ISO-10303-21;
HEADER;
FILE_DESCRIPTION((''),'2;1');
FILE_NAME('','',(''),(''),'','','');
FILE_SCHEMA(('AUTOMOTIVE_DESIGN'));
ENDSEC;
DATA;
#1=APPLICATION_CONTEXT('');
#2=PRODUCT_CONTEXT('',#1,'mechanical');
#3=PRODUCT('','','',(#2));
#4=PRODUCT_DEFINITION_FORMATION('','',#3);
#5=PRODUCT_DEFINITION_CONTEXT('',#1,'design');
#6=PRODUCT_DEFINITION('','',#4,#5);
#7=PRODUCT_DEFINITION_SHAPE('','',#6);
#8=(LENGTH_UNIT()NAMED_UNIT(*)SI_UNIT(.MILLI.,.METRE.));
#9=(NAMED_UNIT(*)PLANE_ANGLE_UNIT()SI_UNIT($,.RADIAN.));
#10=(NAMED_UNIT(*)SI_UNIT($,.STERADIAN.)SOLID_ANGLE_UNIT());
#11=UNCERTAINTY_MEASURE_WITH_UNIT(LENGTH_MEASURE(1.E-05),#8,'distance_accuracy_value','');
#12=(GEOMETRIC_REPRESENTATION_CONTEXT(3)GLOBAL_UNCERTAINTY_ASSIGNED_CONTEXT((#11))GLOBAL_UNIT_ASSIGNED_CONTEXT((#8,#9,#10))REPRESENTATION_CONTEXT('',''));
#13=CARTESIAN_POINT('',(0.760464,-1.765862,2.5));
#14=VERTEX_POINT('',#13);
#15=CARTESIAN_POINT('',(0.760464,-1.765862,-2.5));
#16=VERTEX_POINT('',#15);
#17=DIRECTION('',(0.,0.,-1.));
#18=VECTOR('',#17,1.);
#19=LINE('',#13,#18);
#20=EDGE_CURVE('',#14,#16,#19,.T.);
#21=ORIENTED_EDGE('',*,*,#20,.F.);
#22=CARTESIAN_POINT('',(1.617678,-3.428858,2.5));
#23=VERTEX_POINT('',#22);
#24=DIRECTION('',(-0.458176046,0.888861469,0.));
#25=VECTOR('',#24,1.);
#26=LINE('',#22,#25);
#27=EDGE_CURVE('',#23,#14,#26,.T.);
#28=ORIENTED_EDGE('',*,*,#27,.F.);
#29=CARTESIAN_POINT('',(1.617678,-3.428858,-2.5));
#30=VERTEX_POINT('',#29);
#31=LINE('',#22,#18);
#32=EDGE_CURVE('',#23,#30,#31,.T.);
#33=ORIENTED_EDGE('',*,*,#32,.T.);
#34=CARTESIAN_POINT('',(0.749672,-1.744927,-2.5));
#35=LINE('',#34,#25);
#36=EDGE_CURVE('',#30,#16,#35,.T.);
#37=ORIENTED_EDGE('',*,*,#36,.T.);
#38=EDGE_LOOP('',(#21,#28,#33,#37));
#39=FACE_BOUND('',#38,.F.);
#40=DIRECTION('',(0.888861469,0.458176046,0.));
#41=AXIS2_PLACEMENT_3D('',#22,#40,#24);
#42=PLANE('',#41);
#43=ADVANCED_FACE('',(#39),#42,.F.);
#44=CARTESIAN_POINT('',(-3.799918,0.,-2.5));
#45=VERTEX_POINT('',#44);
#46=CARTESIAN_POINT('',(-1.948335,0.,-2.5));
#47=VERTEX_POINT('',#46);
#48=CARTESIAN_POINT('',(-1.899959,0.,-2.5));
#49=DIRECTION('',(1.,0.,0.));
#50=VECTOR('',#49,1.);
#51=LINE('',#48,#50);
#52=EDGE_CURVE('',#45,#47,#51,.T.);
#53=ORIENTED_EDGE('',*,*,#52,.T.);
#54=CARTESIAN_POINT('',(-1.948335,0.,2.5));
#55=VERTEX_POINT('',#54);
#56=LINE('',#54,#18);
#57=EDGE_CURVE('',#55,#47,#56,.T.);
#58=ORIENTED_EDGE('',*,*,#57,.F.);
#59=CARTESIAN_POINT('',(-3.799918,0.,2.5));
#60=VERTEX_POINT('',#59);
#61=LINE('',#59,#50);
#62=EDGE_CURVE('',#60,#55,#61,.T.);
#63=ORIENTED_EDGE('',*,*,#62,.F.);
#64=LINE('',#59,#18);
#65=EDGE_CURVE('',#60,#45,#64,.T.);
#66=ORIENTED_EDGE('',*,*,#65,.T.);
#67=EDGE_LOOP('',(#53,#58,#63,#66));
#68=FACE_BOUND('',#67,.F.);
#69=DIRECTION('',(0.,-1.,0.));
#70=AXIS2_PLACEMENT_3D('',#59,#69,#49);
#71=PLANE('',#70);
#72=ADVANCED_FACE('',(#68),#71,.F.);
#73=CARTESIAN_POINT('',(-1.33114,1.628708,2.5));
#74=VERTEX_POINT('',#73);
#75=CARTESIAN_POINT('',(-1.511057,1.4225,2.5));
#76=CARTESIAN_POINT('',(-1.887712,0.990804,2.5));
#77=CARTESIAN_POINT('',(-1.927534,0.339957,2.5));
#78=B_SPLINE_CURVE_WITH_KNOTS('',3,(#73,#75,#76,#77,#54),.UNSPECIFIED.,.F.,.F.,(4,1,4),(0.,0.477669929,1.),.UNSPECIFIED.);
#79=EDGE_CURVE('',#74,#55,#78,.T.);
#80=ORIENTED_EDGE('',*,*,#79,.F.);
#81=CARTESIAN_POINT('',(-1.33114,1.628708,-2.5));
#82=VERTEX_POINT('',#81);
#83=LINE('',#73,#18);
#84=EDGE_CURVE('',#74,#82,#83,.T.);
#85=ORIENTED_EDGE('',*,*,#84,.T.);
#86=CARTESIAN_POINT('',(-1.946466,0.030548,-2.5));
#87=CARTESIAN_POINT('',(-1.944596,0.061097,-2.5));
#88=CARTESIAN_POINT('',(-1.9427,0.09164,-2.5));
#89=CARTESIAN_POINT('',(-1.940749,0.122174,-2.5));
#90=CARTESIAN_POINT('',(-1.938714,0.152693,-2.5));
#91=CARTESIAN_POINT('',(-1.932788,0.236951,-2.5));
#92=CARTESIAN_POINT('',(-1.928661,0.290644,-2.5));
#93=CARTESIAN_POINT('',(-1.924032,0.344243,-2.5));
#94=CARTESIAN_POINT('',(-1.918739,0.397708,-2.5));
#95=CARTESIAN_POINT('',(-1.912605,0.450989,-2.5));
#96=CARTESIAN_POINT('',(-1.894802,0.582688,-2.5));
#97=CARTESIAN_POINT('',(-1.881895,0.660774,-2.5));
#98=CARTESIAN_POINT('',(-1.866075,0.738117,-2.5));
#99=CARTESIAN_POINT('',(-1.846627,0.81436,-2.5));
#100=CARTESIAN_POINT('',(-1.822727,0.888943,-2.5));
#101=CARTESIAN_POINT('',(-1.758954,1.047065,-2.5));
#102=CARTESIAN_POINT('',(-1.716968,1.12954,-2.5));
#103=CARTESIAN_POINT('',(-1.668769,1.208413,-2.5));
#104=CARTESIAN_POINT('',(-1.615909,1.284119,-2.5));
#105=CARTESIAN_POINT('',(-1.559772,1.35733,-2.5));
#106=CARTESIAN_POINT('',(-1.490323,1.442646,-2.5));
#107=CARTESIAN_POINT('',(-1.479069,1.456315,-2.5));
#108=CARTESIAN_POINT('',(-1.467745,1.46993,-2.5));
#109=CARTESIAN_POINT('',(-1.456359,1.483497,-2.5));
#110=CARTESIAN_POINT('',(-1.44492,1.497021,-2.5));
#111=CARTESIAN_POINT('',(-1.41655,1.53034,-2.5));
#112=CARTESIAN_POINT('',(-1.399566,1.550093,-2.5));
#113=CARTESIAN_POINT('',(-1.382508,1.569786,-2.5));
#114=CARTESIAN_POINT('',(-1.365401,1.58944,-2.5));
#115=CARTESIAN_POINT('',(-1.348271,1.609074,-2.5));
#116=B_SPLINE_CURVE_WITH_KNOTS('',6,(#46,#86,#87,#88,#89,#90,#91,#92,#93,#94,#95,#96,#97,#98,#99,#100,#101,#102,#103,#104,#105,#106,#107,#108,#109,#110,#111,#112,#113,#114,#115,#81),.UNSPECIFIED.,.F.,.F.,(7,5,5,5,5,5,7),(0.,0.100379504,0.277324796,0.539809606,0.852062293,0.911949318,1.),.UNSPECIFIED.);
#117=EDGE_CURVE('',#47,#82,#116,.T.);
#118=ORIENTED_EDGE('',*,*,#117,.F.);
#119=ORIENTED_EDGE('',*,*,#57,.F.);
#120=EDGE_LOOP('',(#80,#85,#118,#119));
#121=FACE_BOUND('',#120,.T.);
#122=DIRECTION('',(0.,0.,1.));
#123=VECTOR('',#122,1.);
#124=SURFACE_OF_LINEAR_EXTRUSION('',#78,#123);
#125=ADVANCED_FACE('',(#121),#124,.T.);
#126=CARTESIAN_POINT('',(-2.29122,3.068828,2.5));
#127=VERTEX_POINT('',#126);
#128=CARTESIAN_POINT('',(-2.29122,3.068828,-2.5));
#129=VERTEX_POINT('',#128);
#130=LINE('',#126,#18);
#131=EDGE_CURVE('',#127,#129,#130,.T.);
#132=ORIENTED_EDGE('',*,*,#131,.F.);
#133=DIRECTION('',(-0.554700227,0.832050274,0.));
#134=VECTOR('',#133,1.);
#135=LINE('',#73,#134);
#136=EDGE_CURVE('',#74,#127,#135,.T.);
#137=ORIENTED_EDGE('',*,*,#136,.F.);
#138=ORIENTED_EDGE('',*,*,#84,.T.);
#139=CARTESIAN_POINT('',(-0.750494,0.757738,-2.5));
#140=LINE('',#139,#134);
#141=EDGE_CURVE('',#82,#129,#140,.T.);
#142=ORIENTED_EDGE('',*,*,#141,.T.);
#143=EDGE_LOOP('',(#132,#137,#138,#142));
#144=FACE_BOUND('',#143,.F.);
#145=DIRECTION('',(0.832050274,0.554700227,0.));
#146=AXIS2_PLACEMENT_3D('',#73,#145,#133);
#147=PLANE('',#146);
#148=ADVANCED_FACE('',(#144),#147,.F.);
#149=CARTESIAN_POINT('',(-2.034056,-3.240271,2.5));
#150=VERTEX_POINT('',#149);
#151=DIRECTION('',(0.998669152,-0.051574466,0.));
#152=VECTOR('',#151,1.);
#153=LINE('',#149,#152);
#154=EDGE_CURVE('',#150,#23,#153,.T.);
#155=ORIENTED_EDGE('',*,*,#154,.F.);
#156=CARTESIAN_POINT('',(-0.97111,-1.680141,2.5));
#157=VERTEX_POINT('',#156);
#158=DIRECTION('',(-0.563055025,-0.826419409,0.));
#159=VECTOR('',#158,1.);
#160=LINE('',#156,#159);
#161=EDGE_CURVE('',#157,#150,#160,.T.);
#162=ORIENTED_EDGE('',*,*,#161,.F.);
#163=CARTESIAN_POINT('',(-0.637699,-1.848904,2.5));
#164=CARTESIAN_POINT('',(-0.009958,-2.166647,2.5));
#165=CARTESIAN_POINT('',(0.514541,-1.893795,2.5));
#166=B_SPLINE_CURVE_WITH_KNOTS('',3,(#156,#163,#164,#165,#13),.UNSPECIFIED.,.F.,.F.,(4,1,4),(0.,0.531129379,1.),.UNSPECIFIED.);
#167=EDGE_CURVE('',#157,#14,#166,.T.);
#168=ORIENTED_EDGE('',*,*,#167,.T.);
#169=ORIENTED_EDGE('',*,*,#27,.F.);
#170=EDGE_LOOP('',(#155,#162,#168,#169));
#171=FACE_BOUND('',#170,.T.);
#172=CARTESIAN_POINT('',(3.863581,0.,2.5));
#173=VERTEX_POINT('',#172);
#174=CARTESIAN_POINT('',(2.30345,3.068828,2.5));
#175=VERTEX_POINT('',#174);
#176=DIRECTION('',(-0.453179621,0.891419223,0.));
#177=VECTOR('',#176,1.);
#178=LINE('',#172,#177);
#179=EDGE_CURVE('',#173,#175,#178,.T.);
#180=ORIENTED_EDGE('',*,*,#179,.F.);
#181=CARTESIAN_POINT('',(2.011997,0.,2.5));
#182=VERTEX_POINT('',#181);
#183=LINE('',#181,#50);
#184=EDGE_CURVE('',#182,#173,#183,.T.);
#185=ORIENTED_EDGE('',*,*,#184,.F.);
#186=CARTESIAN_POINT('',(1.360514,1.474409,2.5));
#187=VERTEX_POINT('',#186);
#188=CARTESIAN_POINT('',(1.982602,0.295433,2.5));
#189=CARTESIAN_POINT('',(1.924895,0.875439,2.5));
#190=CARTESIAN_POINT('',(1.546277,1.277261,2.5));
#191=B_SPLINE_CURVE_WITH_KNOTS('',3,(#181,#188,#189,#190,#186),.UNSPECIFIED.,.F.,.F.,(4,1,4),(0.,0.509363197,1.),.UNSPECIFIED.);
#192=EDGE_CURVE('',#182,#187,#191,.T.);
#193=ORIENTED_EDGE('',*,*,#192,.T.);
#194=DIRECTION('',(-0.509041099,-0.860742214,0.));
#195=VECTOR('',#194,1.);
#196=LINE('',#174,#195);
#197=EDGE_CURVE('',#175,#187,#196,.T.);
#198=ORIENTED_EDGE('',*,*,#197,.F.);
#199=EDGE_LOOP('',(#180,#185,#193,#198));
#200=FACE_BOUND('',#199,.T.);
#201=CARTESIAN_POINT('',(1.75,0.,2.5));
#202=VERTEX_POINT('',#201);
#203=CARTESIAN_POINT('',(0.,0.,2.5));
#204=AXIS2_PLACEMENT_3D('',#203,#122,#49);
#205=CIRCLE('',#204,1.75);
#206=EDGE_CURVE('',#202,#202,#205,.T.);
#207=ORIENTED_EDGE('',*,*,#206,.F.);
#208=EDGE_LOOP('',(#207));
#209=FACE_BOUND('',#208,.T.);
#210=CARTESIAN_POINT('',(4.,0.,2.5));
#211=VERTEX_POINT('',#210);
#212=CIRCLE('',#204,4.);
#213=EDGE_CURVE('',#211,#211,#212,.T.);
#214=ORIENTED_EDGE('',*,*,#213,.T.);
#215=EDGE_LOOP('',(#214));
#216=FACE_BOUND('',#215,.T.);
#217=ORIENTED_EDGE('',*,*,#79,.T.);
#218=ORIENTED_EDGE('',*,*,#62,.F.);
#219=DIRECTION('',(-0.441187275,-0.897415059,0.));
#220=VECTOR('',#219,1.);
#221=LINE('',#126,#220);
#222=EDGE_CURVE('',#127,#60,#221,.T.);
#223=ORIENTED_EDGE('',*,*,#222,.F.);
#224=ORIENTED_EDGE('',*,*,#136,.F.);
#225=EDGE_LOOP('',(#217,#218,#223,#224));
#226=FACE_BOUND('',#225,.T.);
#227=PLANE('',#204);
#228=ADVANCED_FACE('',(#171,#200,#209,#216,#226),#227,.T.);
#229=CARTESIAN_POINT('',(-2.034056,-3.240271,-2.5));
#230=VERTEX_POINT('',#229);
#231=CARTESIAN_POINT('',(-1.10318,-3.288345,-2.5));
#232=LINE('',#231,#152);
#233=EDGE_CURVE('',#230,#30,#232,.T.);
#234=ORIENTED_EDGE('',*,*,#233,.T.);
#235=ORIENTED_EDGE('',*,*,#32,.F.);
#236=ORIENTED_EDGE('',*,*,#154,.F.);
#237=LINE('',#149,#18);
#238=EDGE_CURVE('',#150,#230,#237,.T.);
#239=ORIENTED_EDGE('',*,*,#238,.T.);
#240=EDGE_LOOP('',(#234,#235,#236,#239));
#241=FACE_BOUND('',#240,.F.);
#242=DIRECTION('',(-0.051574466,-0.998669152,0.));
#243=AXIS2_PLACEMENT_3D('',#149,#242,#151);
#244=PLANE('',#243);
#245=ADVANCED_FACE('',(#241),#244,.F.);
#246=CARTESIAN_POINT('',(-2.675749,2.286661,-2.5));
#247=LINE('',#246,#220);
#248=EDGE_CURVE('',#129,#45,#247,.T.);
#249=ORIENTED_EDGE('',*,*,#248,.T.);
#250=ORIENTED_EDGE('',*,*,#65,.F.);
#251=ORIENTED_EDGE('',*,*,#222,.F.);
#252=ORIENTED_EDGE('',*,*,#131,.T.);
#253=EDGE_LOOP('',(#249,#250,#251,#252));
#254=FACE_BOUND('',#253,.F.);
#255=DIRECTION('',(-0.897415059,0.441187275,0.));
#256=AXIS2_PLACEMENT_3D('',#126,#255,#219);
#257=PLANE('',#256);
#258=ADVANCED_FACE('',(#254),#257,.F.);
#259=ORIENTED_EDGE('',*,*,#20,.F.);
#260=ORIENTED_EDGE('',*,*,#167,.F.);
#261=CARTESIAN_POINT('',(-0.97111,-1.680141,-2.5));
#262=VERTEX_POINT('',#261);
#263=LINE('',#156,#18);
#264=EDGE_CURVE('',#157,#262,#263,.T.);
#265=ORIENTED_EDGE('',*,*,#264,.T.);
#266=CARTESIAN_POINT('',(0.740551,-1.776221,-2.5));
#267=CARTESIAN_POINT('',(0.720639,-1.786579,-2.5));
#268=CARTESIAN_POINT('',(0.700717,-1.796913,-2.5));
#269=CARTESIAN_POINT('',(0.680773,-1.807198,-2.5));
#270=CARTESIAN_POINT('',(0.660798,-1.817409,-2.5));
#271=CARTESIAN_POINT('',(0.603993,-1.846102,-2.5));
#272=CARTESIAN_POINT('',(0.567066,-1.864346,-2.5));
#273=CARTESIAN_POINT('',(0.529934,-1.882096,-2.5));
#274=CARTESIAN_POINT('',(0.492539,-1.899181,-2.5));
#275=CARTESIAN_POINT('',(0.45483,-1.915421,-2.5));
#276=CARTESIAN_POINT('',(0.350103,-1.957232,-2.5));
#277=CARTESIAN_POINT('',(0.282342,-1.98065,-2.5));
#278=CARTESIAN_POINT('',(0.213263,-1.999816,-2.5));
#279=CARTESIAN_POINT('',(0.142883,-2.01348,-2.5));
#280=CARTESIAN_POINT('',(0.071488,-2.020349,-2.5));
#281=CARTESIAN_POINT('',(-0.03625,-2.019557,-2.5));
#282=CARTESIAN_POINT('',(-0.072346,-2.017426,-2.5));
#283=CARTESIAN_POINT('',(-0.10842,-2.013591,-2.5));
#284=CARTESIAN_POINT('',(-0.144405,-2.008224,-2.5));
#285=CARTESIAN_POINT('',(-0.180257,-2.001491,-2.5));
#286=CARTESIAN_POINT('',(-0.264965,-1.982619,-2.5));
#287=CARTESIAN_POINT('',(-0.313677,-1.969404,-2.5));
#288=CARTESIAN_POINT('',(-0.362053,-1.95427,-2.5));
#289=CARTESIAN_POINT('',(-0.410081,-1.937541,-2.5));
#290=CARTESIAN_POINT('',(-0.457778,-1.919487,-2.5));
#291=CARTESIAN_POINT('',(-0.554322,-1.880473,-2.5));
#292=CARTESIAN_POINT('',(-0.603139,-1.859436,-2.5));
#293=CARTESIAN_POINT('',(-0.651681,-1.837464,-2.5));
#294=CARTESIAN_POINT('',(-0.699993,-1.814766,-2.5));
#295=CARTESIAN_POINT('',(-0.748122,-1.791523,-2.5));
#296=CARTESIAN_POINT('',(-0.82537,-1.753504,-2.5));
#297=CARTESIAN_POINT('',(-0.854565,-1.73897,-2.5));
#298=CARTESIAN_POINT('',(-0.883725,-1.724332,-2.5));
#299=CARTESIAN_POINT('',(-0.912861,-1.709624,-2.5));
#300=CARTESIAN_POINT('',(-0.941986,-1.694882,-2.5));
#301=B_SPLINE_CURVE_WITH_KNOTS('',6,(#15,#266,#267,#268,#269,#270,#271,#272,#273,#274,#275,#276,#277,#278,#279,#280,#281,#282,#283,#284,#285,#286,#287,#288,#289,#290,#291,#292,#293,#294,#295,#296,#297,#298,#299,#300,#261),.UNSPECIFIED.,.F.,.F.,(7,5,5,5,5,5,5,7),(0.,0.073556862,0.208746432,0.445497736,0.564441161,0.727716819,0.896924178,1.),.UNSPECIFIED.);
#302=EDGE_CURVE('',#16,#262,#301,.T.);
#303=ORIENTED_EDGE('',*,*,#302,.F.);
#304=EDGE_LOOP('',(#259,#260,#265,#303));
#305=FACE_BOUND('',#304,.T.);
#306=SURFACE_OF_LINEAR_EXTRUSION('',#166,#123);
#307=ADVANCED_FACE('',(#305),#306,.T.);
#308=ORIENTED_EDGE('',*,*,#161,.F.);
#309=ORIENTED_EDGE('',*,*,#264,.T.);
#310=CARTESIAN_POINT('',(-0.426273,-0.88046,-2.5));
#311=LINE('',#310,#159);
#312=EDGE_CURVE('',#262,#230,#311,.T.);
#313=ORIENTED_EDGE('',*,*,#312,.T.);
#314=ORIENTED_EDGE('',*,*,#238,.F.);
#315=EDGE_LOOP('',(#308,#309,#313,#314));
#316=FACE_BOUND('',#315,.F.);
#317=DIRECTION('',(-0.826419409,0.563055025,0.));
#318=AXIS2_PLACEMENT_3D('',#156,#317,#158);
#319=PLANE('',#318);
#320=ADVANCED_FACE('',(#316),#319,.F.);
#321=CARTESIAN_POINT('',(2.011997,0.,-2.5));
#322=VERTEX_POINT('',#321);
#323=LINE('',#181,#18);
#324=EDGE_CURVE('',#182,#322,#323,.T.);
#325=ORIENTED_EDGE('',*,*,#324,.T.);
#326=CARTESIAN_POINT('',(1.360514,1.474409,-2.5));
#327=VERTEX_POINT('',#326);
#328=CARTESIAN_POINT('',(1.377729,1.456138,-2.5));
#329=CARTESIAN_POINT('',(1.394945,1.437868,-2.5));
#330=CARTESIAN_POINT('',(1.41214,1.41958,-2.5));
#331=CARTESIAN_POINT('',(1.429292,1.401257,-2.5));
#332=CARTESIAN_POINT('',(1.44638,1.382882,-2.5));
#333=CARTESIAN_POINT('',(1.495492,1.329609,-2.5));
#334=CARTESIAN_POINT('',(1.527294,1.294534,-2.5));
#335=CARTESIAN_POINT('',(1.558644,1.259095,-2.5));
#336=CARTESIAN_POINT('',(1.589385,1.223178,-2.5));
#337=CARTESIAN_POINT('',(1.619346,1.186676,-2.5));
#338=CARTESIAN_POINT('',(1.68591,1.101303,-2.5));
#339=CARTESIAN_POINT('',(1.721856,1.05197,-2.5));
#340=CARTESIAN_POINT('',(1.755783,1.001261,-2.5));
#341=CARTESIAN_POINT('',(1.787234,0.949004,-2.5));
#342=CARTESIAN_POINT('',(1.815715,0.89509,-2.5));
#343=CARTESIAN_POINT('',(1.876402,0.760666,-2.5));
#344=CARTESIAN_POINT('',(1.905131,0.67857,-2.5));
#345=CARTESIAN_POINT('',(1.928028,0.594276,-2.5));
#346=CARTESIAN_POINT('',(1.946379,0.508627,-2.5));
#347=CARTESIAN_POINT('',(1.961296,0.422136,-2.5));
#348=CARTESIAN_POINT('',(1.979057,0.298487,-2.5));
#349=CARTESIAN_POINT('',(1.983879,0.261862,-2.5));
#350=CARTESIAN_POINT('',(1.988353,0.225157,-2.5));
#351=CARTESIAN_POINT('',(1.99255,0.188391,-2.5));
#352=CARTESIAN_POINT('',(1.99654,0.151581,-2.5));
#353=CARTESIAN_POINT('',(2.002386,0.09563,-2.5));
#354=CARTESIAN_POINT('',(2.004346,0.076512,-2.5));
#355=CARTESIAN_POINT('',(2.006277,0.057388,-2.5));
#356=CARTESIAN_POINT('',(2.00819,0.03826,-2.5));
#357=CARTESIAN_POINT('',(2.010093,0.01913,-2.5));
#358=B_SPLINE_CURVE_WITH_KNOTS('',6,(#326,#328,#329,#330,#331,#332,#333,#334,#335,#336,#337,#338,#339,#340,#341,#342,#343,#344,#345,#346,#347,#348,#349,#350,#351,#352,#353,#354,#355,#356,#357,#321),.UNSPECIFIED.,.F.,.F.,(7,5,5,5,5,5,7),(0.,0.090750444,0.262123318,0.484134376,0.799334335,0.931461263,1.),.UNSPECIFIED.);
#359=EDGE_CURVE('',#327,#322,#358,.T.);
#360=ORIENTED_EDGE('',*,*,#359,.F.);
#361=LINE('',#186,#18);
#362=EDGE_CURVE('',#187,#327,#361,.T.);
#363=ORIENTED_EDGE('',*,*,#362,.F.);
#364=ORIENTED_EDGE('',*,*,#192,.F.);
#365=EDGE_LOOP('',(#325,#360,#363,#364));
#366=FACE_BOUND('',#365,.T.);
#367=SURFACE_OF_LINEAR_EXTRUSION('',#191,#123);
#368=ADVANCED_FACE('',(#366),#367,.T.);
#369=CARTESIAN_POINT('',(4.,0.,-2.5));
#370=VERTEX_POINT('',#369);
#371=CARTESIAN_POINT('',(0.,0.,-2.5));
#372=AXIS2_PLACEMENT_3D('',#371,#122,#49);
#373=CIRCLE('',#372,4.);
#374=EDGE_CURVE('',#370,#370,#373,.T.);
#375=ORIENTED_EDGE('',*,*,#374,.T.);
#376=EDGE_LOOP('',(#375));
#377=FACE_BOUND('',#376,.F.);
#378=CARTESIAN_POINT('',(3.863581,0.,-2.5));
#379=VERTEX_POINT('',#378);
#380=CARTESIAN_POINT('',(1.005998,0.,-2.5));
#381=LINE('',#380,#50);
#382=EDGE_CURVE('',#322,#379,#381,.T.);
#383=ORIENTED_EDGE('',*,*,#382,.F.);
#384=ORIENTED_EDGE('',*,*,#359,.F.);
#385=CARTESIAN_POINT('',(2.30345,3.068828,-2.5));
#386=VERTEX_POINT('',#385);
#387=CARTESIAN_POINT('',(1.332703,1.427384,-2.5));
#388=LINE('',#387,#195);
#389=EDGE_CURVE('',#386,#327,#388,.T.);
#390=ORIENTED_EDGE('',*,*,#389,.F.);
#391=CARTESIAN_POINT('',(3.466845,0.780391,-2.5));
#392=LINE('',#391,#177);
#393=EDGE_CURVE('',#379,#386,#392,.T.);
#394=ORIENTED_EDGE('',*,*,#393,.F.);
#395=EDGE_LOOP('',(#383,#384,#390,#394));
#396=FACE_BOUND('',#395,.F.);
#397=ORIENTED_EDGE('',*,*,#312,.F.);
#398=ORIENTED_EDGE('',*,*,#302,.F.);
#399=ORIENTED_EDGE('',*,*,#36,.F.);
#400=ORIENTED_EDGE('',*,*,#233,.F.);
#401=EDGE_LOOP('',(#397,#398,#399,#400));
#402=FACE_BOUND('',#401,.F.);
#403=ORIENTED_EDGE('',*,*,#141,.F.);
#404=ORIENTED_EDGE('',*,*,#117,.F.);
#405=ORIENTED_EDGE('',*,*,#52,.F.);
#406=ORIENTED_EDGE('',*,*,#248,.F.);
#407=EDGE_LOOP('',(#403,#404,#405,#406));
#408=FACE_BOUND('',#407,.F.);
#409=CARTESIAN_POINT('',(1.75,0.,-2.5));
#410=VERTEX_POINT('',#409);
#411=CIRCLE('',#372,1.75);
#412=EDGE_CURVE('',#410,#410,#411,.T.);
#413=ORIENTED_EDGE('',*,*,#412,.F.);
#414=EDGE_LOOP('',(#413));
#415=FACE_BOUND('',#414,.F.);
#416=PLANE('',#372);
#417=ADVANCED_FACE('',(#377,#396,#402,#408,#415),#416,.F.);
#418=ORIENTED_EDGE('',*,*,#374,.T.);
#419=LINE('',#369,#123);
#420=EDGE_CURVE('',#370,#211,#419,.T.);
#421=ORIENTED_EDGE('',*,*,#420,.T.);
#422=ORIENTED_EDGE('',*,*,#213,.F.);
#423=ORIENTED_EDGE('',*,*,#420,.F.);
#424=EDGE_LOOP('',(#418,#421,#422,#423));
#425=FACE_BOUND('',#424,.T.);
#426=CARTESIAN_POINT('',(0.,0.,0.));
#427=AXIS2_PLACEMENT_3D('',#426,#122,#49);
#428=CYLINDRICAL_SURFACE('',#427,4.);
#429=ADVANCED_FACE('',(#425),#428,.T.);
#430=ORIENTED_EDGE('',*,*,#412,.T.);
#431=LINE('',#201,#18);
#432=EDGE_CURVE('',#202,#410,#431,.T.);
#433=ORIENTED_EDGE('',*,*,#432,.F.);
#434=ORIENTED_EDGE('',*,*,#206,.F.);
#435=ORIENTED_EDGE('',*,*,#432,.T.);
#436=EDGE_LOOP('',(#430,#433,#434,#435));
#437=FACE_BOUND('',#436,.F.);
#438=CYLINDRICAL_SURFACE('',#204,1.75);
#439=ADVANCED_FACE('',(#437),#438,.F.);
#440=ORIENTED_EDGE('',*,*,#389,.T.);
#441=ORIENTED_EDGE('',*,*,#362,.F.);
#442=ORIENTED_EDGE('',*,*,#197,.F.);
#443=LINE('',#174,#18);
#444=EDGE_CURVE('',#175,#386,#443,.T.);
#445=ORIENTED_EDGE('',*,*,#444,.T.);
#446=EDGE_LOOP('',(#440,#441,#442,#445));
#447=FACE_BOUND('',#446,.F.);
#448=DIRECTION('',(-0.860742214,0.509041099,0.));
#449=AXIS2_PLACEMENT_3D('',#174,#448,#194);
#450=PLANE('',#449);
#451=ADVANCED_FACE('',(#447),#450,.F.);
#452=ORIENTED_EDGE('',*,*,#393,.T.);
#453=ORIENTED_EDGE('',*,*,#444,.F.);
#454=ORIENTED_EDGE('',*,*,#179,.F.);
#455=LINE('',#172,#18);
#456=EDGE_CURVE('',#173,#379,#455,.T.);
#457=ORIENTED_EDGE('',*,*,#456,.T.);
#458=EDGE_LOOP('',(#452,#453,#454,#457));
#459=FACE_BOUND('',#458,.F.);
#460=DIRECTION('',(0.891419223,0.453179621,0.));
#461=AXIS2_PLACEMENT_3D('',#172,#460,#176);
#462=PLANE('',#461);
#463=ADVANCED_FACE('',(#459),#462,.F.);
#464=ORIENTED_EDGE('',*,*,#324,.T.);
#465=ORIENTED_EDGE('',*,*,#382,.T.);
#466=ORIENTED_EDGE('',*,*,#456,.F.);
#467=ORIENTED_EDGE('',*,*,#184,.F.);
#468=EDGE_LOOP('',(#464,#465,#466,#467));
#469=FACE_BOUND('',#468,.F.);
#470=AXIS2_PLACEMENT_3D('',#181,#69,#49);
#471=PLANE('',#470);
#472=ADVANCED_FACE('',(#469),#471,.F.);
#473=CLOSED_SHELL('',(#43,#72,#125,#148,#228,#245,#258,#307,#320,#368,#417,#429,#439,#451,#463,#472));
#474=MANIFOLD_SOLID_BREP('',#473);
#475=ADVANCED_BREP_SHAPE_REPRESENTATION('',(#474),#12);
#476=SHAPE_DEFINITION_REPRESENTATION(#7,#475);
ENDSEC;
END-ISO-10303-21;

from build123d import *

# Parameters (mm, degrees)
F0_R     = 4
F1_DEPTH = 2.5
F2_R     = 1.75
F3_DEPTH = 11.3
F6_DEPTH = 8.5


with BuildPart() as f1:
    # F0 (on Top) → F1 (new body, symmetric)
    with BuildSketch(Plane.XY):
        Circle(F0_R)
    extrude(amount=F1_DEPTH, both=True)

    # F2 (on face) → F3 (cut)
    with BuildSketch(Plane.XY.offset(2.5)):
        Circle(F2_R)
    extrude(amount=-F3_DEPTH, mode=Mode.SUBTRACT)

    # F5 (on face) → F6 (cut)
    with BuildSketch(Plane.XY.offset(2.5)):
        with BuildLine():
            add(Edge.make_bspline(
                [(2.0119966939, 0), (1.9826024943, 0.2954333995), (1.924894753, 0.8754387886), (1.5462774399, 1.2772605749), (1.360513852, 1.4744091313)],
                knots=[0, 0, 0, 0, 0.5093631973, 1, 1, 1, 1], degree=3))
            Line((2.0119966939, 0), (3.8635805249, 0))
            Line((3.8635805249, 0), (2.3034499027, 3.0688282568))
            Line((2.3034499027, 3.0688282568), (1.360513852, 1.4744091313))
        make_face()
        with BuildLine():
            Line((-3.7999181077, 0), (-2.1026332397, 0))
            Line((-2.1026332397, 0), (-1.9483346259, 0))
            add(Edge.make_bspline(
                [(-1.3311400544, 1.6287077451), (-1.5110569531, 1.4224997977), (-1.8877122283, 0.9908043222), (-1.9275343397, 0.3399570839), (-1.9483346259, 0)],
                knots=[0, 0, 0, 0, 0.4776699295, 1, 1, 1, 1], degree=3))
            Line((-1.3311400544, 1.6287077451), (-2.2912204731, 3.0688282568))
            Line((-2.2912204731, 3.0688282568), (-3.7999181077, 0))
        make_face()
        with BuildLine():
            Line((-0.9711100138, -1.6801406164), (-2.0340562332, -3.2402712386))
            Line((-2.0340562332, -3.2402712386), (1.6176782083, -3.428858472))
            Line((1.6176782083, -3.428858472), (0.7604635903, -1.7658622237))
            add(Edge.make_bspline(
                [(-0.9711100138, -1.6801406164), (-0.637698637, -1.848903582), (-0.0099582222, -2.1666471906), (0.514541214, -1.8937947275), (0.7604635903, -1.7658622237)],
                knots=[0, 0, 0, 0, 0.5311293792, 1, 1, 1, 1], degree=3))
        make_face()
    extrude(amount=-F6_DEPTH, mode=Mode.SUBTRACT)


solid = f1.part
